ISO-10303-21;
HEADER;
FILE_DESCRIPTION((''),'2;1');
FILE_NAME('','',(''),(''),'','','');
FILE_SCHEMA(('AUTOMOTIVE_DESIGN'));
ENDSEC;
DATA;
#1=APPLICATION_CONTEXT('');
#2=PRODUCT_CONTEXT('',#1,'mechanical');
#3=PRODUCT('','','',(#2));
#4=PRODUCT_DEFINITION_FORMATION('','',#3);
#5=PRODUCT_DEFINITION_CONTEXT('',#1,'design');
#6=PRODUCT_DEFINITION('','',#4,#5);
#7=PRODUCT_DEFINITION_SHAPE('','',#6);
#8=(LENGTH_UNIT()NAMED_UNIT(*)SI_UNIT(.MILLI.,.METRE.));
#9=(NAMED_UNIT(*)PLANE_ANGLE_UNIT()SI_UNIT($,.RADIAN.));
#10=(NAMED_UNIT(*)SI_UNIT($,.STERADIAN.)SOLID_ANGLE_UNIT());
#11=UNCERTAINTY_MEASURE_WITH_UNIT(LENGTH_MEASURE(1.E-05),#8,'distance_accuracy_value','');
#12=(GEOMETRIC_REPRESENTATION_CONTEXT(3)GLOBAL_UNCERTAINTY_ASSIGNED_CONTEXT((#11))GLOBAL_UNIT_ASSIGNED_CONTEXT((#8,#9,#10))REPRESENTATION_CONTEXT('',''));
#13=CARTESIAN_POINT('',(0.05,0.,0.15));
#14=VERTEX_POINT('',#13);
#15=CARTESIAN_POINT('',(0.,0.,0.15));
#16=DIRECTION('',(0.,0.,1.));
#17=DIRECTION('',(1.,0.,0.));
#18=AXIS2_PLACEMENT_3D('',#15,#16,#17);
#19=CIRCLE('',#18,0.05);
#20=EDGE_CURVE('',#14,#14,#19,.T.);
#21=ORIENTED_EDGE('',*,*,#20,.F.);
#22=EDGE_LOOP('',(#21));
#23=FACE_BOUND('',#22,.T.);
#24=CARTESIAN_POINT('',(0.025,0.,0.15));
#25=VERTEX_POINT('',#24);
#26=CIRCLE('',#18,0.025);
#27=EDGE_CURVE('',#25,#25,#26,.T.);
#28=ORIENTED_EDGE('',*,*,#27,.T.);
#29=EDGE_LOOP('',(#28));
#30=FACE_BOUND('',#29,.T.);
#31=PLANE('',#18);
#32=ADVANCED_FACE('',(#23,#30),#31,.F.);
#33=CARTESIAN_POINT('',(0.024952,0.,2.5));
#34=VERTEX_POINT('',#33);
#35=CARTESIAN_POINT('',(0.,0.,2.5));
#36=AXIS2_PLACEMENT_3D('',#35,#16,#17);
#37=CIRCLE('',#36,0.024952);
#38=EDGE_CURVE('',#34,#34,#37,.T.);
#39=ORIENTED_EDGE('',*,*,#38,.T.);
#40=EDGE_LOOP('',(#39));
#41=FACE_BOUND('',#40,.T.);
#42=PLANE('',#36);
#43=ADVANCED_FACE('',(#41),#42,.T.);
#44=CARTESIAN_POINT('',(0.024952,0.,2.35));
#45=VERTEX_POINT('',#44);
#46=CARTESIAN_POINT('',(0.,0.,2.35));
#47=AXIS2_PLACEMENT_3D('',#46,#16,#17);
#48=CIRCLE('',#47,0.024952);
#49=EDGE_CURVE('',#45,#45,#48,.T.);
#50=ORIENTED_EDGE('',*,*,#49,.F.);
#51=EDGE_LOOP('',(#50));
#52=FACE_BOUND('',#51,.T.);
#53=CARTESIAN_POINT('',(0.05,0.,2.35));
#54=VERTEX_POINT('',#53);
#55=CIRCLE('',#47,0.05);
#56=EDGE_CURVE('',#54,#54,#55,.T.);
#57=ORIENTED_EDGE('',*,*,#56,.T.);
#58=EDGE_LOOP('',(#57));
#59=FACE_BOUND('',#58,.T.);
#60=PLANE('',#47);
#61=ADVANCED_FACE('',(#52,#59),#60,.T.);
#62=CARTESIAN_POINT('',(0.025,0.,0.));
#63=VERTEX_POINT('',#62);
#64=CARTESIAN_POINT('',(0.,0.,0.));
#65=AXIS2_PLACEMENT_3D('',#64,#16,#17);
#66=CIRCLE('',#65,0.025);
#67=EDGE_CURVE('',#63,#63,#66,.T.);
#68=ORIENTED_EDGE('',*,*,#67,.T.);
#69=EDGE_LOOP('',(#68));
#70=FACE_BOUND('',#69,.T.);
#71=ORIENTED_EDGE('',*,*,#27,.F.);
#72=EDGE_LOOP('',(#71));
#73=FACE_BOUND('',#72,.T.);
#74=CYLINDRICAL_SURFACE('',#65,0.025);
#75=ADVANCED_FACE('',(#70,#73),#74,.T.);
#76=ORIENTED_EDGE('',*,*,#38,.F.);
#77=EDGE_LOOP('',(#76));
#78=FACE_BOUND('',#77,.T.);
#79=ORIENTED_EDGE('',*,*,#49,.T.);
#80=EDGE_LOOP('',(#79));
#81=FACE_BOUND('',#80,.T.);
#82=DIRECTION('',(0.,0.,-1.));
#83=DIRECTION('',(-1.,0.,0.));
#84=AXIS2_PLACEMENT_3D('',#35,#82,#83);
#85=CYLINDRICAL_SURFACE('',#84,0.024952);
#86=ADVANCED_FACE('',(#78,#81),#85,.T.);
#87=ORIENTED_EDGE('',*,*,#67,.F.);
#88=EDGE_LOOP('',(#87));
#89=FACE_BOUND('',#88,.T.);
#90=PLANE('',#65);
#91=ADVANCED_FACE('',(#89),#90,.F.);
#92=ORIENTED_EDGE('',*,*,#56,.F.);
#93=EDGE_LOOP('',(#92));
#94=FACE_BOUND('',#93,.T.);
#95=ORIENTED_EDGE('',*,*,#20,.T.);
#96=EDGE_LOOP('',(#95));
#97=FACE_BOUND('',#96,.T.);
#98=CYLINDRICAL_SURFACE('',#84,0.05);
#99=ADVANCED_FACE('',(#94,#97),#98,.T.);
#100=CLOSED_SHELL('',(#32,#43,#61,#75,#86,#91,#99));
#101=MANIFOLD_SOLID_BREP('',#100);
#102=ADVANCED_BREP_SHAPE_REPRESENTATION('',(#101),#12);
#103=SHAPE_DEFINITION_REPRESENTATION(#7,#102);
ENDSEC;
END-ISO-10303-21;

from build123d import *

# Parameters (mm, degrees)
CROQUIS1_R              = 0.05
SALIENTE_EXTRUIR1_DEPTH = 2.5
CROQUIS3_R              = 0.05
CORTAR_EXTRUIR1_DEPTH   = 3.351063589
CROQUIS4_R              = 0.025
SALIENTE_EXTRUIR2_DEPTH = 0.15
CROQUIS5_R              = 0.05
CORTAR_EXTRUIR2_DEPTH   = 0.15
CROQUIS6_R              = 0.024951655
SALIENTE_EXTRUIR3_DEPTH = 0.15


with BuildPart() as part:
    # Croquis1 → Saliente-Extruir1 (new body)
    with BuildSketch(Plane.XY):
        Circle(CROQUIS1_R)
    extrude(amount=SALIENTE_EXTRUIR1_DEPTH)

    # Croquis3 → Cortar-Extruir1 (cut, through all)
    with BuildSketch(Plane.XY.offset(0.15)):
        Circle(CROQUIS3_R)
    extrude(amount=-CORTAR_EXTRUIR1_DEPTH, mode=Mode.SUBTRACT)

    # Croquis4 → Saliente-Extruir2 (add)
    with BuildSketch(Plane.XY.offset(0.15)):
        Circle(CROQUIS4_R)
    extrude(amount=-SALIENTE_EXTRUIR2_DEPTH)

    # Croquis5 → Cortar-Extruir2 (cut)
    with BuildSketch(Plane.XY.offset(2.35)):
        Circle(CROQUIS5_R)
    extrude(amount=CORTAR_EXTRUIR2_DEPTH, mode=Mode.SUBTRACT)

    # Croquis6 → Saliente-Extruir3 (add)
    with BuildSketch(Plane.XY.offset(2.35)):
        Circle(CROQUIS6_R)
    extrude(amount=SALIENTE_EXTRUIR3_DEPTH)


solid = part.part
